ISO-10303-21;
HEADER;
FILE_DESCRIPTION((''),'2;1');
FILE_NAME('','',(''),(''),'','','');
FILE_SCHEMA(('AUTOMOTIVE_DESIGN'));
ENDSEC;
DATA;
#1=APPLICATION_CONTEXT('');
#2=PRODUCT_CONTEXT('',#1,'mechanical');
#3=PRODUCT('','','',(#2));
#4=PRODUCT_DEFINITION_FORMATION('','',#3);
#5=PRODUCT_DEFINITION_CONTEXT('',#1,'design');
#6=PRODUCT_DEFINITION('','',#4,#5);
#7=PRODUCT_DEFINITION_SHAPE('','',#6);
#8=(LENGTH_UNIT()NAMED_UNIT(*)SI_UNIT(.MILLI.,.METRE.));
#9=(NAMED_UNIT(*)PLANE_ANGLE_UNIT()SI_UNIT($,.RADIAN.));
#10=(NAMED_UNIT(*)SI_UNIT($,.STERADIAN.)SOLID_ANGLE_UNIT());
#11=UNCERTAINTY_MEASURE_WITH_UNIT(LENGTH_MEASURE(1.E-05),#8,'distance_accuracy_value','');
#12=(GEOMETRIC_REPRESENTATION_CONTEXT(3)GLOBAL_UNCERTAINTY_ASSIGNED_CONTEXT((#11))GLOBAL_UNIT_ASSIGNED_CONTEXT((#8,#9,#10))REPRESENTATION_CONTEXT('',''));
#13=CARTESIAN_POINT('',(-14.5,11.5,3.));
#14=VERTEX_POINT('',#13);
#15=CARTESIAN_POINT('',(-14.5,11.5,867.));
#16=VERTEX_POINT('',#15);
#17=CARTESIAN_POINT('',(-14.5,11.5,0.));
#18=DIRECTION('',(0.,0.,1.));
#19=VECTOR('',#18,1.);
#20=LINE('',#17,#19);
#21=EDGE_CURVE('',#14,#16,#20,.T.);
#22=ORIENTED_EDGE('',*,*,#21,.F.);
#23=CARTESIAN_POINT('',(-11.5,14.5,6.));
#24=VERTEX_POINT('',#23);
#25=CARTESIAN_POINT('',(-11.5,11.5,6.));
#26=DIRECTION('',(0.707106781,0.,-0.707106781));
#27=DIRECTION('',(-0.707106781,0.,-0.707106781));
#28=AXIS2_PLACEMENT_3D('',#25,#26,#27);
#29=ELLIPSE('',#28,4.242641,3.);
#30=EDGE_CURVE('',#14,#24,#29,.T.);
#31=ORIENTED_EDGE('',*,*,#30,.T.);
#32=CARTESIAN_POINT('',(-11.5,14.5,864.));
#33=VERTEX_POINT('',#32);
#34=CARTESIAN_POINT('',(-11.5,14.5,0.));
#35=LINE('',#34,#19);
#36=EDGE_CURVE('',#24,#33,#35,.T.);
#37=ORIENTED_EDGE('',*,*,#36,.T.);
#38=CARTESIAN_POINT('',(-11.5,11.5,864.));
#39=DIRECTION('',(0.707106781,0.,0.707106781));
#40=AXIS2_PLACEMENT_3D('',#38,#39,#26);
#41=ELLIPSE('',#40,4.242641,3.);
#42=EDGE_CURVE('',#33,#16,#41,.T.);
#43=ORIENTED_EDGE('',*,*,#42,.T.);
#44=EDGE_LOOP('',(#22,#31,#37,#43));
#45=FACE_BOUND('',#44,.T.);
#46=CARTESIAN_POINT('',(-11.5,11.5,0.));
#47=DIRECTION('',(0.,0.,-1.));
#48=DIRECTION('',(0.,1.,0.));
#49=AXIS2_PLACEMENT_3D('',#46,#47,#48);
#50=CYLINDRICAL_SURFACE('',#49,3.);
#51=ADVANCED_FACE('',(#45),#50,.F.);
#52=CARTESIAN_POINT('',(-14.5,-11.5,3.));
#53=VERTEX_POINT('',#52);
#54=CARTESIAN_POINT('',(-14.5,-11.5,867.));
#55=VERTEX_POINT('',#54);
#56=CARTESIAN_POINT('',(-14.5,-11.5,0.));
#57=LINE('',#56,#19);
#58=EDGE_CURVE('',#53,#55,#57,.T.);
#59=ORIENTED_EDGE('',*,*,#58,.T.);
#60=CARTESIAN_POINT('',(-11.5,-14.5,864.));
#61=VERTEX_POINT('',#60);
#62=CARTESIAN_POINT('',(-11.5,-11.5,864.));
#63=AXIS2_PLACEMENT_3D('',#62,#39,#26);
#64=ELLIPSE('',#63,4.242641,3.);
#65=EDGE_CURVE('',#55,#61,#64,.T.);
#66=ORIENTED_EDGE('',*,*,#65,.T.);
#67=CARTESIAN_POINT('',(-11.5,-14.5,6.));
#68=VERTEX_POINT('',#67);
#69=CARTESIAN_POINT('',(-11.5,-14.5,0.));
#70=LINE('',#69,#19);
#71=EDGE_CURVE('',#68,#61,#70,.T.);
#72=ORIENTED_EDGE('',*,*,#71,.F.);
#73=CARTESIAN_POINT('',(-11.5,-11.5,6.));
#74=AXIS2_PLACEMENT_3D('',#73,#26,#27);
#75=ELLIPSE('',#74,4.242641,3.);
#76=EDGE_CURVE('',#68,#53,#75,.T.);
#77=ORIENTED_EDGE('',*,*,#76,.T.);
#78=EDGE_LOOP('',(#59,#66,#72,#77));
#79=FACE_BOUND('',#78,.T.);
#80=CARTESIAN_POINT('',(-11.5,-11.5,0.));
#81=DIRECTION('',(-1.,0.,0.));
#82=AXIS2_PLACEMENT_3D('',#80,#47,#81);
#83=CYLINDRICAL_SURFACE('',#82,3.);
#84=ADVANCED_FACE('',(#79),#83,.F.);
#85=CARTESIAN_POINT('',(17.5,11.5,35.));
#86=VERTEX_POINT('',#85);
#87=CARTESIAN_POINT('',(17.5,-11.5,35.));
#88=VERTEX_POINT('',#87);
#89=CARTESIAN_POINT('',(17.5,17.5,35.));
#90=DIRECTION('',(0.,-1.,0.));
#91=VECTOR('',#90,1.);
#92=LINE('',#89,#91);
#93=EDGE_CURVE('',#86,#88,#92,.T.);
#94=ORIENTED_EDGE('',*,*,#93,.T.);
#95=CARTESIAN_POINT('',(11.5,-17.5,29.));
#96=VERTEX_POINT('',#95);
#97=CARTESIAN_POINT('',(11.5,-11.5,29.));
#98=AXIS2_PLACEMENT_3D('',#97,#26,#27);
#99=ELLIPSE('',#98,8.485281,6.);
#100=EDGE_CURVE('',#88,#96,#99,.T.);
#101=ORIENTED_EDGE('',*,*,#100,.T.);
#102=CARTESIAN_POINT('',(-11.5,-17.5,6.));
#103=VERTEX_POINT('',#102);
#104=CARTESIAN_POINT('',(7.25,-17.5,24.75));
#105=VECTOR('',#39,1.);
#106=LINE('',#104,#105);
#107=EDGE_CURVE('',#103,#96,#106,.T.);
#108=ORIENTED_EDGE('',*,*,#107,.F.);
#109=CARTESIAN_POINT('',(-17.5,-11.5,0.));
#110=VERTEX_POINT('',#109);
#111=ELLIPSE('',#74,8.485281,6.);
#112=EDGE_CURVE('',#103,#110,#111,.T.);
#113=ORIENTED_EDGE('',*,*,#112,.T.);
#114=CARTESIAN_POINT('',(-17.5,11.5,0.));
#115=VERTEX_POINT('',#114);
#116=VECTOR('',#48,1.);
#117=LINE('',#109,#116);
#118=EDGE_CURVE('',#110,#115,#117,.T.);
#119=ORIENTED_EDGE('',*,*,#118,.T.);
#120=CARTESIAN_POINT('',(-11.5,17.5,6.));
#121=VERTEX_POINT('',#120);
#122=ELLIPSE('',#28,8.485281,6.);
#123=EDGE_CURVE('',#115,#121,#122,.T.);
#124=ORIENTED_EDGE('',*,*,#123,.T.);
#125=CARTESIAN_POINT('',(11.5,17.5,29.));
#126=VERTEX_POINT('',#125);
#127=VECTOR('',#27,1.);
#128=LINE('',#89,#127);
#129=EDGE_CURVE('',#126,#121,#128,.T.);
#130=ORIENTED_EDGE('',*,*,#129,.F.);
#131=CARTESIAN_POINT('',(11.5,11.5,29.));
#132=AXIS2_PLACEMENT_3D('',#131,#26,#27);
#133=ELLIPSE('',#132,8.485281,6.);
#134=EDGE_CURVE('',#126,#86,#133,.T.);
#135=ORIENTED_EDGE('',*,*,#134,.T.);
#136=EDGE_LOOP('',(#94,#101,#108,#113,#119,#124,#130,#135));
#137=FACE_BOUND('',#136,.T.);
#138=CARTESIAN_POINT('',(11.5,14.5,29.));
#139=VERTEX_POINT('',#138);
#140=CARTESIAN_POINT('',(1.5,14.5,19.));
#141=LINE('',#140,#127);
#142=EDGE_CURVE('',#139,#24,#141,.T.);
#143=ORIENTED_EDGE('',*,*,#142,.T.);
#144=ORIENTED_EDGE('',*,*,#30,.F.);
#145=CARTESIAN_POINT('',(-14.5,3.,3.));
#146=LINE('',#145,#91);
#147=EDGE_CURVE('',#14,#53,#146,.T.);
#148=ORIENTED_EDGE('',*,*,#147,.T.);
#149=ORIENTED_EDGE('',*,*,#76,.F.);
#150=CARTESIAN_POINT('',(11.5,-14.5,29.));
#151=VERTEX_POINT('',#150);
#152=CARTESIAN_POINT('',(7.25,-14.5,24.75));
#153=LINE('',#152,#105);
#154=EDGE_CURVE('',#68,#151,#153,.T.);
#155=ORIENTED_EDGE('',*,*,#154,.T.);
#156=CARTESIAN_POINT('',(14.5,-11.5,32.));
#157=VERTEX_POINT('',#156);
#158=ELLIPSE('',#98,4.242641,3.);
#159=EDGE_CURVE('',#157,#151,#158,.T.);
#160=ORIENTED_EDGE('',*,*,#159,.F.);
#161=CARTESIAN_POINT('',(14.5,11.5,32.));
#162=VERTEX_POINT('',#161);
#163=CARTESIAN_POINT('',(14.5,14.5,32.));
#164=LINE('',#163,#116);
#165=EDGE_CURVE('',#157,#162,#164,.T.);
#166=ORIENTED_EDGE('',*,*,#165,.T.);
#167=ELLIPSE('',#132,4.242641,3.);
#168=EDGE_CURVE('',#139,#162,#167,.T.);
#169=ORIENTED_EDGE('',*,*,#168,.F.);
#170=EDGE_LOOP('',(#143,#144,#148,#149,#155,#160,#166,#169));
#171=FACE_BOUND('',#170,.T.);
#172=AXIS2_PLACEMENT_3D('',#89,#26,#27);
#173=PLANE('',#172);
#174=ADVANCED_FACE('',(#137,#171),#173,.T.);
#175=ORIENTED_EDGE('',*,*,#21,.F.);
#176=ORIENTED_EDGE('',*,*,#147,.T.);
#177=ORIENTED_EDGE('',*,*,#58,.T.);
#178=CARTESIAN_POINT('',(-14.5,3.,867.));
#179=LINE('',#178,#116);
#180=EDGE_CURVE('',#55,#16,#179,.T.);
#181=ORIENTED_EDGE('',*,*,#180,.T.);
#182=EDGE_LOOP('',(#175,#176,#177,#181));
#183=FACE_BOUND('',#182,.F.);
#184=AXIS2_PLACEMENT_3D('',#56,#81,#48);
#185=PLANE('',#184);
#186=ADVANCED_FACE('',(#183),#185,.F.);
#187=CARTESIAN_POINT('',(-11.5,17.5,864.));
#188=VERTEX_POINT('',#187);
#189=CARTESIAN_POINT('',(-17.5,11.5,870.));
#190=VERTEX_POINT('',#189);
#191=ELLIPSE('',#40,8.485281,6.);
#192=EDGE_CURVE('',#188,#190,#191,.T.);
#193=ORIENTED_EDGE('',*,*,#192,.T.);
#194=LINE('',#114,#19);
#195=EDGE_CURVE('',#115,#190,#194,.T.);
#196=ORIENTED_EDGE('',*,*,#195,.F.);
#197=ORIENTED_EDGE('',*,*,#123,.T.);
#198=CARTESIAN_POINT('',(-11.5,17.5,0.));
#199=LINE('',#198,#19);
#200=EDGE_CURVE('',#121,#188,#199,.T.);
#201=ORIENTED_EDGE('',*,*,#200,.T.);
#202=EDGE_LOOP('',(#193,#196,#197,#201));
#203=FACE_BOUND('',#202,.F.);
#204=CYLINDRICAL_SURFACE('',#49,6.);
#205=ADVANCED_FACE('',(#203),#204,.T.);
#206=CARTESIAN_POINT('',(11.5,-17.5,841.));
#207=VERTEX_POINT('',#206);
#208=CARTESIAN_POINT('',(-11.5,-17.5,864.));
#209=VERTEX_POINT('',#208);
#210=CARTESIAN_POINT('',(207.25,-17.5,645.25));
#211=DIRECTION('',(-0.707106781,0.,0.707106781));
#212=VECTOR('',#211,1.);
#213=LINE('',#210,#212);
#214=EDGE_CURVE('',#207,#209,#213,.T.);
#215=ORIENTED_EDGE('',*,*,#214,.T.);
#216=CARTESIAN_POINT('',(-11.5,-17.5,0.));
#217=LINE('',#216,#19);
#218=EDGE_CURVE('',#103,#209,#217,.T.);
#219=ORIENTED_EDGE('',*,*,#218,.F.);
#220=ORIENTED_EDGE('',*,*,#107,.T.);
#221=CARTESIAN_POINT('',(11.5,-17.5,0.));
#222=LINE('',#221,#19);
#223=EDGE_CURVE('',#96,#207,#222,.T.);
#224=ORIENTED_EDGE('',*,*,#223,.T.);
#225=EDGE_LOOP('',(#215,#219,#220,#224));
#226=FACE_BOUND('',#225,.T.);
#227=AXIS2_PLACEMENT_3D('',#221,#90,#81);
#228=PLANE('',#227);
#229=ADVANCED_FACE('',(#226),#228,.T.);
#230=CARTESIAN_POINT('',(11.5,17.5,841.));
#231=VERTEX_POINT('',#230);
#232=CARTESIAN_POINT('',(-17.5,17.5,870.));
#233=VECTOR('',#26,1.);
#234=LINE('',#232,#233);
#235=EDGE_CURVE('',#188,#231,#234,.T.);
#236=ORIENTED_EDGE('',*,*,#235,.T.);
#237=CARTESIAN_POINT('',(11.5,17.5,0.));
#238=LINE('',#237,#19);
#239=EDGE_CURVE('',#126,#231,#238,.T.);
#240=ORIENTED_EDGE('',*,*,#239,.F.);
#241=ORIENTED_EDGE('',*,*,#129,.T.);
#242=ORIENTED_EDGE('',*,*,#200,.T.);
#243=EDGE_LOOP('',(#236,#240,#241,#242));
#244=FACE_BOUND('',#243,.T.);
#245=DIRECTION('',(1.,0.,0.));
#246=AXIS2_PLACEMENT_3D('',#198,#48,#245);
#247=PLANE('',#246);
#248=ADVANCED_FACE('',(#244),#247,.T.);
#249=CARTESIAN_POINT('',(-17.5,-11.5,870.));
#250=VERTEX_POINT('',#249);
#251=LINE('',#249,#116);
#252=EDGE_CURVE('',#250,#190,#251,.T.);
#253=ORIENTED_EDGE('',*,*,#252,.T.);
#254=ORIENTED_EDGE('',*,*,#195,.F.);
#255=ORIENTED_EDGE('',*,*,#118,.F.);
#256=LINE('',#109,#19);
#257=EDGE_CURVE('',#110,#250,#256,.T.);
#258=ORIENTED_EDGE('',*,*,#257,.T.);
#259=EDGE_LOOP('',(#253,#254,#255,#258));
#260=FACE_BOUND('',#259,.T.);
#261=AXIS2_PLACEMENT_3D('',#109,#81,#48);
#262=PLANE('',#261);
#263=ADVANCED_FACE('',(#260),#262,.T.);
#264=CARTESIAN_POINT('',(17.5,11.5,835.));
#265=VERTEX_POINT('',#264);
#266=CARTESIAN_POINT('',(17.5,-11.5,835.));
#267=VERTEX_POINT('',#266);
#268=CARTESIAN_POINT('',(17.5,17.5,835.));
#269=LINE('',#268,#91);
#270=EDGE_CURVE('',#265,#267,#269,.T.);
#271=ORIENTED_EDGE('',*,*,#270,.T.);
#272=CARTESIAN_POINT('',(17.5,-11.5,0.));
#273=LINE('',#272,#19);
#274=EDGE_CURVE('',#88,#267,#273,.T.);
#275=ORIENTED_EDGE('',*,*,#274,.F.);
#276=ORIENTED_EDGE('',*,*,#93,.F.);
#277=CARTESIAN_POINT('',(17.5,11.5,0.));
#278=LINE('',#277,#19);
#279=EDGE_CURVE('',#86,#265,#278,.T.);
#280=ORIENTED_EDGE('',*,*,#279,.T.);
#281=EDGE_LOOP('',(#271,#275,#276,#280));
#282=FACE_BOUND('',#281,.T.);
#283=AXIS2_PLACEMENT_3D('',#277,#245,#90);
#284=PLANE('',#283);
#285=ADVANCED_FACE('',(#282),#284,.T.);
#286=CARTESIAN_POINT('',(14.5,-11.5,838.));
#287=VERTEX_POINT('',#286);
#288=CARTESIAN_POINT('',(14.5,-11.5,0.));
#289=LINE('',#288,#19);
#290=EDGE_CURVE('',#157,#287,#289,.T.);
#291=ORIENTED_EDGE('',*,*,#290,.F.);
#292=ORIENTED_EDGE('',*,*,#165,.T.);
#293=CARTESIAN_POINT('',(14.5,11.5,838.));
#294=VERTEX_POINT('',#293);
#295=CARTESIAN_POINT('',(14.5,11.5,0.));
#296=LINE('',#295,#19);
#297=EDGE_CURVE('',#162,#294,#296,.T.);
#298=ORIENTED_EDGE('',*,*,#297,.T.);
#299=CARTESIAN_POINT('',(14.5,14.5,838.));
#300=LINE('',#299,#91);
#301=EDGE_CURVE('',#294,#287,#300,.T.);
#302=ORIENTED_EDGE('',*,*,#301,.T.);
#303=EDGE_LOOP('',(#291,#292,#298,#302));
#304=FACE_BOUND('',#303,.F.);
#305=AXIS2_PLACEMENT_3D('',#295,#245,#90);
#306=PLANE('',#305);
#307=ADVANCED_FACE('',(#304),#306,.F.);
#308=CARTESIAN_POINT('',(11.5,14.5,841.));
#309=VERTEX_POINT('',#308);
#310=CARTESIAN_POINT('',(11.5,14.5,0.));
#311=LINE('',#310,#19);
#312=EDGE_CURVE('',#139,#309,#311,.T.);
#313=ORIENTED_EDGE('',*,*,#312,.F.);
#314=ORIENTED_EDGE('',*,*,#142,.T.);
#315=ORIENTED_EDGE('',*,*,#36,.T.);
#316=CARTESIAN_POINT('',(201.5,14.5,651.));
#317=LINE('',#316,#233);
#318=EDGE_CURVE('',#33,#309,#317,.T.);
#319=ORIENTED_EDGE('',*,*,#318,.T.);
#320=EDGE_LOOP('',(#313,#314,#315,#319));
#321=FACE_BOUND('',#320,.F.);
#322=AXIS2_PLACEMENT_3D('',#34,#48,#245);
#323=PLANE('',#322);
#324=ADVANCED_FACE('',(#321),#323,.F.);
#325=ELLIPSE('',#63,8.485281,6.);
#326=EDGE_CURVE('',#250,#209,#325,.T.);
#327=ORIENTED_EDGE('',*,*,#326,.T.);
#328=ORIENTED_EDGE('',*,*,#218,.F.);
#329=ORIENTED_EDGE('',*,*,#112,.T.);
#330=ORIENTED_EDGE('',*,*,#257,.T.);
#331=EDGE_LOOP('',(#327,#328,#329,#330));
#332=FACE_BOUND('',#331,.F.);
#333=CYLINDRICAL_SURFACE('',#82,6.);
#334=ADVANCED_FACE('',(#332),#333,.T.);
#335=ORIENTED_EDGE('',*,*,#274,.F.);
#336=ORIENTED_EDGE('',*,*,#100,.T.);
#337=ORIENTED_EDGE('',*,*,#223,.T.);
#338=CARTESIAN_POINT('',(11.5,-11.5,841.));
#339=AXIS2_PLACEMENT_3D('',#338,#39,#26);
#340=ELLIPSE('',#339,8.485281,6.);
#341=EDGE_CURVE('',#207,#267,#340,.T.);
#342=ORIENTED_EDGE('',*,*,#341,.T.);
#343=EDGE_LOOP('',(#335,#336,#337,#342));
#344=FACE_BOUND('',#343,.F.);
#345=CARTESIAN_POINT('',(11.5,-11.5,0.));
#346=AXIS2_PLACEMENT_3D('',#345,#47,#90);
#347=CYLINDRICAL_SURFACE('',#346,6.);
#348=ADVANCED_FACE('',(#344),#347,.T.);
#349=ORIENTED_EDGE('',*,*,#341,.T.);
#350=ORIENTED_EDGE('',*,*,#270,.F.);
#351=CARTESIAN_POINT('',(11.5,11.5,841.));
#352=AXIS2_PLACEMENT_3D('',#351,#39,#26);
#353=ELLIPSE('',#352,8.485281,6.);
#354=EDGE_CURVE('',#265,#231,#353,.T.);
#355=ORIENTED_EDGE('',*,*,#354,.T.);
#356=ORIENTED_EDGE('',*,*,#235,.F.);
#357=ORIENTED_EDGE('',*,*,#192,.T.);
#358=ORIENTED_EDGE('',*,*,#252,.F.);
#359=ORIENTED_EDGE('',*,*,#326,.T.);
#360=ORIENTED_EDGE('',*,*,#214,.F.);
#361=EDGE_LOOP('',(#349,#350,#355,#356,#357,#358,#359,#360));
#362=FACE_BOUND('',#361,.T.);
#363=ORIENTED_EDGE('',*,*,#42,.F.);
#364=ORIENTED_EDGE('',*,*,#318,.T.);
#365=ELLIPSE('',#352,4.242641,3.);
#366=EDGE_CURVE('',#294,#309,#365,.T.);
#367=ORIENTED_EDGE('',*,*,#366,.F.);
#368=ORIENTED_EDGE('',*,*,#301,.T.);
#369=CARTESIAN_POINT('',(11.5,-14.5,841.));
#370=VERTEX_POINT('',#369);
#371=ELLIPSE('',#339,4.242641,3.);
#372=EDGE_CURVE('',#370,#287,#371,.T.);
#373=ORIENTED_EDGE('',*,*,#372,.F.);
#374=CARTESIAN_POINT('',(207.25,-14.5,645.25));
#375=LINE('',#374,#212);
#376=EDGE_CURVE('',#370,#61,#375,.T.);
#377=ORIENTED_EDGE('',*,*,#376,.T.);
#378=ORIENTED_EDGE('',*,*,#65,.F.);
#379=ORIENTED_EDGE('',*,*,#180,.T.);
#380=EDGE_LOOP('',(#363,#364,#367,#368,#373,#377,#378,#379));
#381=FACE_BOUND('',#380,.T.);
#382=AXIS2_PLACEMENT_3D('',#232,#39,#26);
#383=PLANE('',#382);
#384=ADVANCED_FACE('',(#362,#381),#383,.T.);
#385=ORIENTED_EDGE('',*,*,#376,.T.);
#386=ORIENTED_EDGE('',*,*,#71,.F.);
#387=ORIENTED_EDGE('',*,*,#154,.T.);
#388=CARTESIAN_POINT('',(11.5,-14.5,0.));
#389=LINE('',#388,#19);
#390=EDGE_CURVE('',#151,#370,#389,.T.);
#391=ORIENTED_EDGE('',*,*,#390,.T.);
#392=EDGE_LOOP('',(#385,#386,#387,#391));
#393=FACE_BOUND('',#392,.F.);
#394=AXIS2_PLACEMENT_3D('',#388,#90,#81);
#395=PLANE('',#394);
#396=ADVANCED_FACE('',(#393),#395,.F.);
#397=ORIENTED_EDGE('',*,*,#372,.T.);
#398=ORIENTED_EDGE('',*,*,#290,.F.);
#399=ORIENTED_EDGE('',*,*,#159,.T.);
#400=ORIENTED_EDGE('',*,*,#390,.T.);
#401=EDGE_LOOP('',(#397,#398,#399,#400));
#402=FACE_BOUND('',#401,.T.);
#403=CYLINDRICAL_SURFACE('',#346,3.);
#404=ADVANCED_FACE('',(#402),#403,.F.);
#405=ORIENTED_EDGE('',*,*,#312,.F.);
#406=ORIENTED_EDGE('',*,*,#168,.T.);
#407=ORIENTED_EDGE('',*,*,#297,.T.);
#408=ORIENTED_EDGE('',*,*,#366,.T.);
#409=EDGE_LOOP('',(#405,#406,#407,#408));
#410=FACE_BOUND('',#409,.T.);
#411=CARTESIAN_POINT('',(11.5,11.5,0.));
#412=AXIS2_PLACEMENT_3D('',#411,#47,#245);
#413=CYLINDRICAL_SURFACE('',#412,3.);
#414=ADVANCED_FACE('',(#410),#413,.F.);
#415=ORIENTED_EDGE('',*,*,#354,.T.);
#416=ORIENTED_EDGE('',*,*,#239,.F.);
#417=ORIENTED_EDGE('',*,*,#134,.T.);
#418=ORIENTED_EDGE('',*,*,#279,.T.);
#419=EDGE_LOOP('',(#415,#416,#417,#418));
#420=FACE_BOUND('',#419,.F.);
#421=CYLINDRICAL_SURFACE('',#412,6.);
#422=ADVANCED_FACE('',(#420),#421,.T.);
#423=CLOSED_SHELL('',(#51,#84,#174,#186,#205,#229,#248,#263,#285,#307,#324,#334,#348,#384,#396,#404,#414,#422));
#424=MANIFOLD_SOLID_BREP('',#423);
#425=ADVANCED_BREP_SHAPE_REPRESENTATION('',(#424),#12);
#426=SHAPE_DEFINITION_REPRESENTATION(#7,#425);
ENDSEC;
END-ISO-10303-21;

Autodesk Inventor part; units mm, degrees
ref_plane "Počáteční rovina" through (0, 0, 0) normal (0, 0, 1) x (1, 0, 0)
ref_plane "Koncová rovina" through (0, 0, 875) normal (0, 0, 1) x (1, 0, 0)
sketch "Náčrt1" plane through (0, 0, 0) normal (0, 0, 1) x (1, 0, 0)
  line L0 (-11.5, 17.5) -> (11.5, 17.5)
  line L1 (17.5, 11.5) -> (17.5, -11.5)
  line L2 (11.5, -17.5) -> (-11.5, -17.5)
  line L3 (-17.5, -11.5) -> (-17.5, 11.5)
  arc A0 (-11.5, 17.5) -> (-17.5, 11.5) centre (-11.5, 11.5) ccw
  arc A1 (17.5, 11.5) -> (11.5, 17.5) centre (11.5, 11.5) ccw
  arc A2 (11.5, -17.5) -> (17.5, -11.5) centre (11.5, -11.5) ccw
  arc A3 (-17.5, -11.5) -> (-11.5, -17.5) centre (-11.5, -11.5) ccw
  line L4 (-26.2397, 0) -> (26.2397, 0) construction
  line L5 (0, -26.2397) -> (0, 26.2397) construction
  arc A4 (-11.5, 14.5) -> (-14.5, 11.5) centre (-11.5, 11.5) ccw
  line L6 (-11.5, 14.5) -> (11.5, 14.5)
  arc A5 (14.5, 11.5) -> (11.5, 14.5) centre (11.5, 11.5) ccw
  line L7 (14.5, 11.5) -> (14.5, -11.5)
  arc A6 (11.5, -14.5) -> (14.5, -11.5) centre (11.5, -11.5) ccw
  line L8 (11.5, -14.5) -> (-11.5, -14.5)
  arc A7 (-14.5, -11.5) -> (-11.5, -14.5) centre (-11.5, -11.5) ccw
  line L9 (-14.5, -11.5) -> (-14.5, 11.5)
  point P0 (-17.5, 17.5)
  point P1 (17.5, -17.5)
  point P2 (17.5, 17.5)
  dimension "b" = 35
  dimension "msp_r" = 6
  dimension "d8" = 17.5
  dimension "d9" = 17.5
  dimension "d10" = 3
extrude "Těleso" add sketch "Náčrt1" along normal blind 870
sketch "Sketch2" plane through (0, 0, 0) normal (0, 0, 1) x (1, 0, 0)
  line L0 (0, 0) -> (10, 0)
ref_plane "Work Plane3" through (0, 0, 0) normal (0, -1, 0) x (1, 0, 0)
sketch "Sketch3" plane through (0, 0, 0) normal (0, -1, 0) x (1, 0, 0)
  line L0 (-2, 0) -> (12, 0)
  line L1 (-2, 875) -> (12, 875)
  dimension "d14" = 875
sketch "Náčrt4" plane through (11.5, 17.5, 875) normal (0, 1, 0) x (1, 0, 0)
  line L0 (-29, 875) -> (-29, 5) construction
  line L1 (6, 875) -> (6, 5) construction
  line L2 (-29, 875) -> (6, 875)
  line L3 (6, 875) -> (6, 840)
  line L4 (-29, 875) -> (-29, 5) construction
  line L5 (6, 840) -> (-29, 875)
  line L6 (6, 875) -> (6, 5) construction
  line L7 (-23, 5) -> (-29, 5) projected
  line L8 (-29, 5) -> (6, 40)
  line L9 (6, 40) -> (6, 5)
  line L10 (6, 5) -> (-29, 5)
  point P0 (-11.5, 875)
  dimension "d15" = 45
  dimension "d19" = 45
extrude "Vysunutí2" cut sketch "Náčrt4" against normal through all
ref_plane "Pracovní rovina4" through (417.5, -11.5, 435) normal (0, 0, 1) x (0, -1, 0)
equation "\"msp_r\" = 2 * ParT"
equation "\"d8\" = d9"
equation "\"d9\" = 0.5 * b"
equation "\"d10\" = ParT"
equation "\"G_OFFSET_START\" = 0"
equation "\"G_OFFSET_END\" = 0"
equation "\"d12\" = G_OFFSET_END + B_L"
equation "\"G_L\" = d14"
equation "\"B_L\" = 875"
equation "\"PoloměrOhybu\" = Tloušťka"
equation "\"ŠířkaVýštipu\" = Tloušťka"
equation "\"HloubkaVýštipu\" = 0.5 * Tloušťka"
equation "\"VelikostRohovéhoVýštipu\" = 4 * Tloušťka"
equation "\"MinimálníZbytek\" = 2 * Tloušťka"
equation "\"PřechodovýPoloměr\" = PoloměrOhybu"
equation "\"VelikostJacobihoPoloměru\" = Tloušťka"
equation "\"VelikostMezery\" = Tloušťka"
equation "\"ParT\" = 3"
equation "\"Tloušťka\" = 0.5"
properties part number "DD_KVD_003_02" material "Nerezová ocel"
